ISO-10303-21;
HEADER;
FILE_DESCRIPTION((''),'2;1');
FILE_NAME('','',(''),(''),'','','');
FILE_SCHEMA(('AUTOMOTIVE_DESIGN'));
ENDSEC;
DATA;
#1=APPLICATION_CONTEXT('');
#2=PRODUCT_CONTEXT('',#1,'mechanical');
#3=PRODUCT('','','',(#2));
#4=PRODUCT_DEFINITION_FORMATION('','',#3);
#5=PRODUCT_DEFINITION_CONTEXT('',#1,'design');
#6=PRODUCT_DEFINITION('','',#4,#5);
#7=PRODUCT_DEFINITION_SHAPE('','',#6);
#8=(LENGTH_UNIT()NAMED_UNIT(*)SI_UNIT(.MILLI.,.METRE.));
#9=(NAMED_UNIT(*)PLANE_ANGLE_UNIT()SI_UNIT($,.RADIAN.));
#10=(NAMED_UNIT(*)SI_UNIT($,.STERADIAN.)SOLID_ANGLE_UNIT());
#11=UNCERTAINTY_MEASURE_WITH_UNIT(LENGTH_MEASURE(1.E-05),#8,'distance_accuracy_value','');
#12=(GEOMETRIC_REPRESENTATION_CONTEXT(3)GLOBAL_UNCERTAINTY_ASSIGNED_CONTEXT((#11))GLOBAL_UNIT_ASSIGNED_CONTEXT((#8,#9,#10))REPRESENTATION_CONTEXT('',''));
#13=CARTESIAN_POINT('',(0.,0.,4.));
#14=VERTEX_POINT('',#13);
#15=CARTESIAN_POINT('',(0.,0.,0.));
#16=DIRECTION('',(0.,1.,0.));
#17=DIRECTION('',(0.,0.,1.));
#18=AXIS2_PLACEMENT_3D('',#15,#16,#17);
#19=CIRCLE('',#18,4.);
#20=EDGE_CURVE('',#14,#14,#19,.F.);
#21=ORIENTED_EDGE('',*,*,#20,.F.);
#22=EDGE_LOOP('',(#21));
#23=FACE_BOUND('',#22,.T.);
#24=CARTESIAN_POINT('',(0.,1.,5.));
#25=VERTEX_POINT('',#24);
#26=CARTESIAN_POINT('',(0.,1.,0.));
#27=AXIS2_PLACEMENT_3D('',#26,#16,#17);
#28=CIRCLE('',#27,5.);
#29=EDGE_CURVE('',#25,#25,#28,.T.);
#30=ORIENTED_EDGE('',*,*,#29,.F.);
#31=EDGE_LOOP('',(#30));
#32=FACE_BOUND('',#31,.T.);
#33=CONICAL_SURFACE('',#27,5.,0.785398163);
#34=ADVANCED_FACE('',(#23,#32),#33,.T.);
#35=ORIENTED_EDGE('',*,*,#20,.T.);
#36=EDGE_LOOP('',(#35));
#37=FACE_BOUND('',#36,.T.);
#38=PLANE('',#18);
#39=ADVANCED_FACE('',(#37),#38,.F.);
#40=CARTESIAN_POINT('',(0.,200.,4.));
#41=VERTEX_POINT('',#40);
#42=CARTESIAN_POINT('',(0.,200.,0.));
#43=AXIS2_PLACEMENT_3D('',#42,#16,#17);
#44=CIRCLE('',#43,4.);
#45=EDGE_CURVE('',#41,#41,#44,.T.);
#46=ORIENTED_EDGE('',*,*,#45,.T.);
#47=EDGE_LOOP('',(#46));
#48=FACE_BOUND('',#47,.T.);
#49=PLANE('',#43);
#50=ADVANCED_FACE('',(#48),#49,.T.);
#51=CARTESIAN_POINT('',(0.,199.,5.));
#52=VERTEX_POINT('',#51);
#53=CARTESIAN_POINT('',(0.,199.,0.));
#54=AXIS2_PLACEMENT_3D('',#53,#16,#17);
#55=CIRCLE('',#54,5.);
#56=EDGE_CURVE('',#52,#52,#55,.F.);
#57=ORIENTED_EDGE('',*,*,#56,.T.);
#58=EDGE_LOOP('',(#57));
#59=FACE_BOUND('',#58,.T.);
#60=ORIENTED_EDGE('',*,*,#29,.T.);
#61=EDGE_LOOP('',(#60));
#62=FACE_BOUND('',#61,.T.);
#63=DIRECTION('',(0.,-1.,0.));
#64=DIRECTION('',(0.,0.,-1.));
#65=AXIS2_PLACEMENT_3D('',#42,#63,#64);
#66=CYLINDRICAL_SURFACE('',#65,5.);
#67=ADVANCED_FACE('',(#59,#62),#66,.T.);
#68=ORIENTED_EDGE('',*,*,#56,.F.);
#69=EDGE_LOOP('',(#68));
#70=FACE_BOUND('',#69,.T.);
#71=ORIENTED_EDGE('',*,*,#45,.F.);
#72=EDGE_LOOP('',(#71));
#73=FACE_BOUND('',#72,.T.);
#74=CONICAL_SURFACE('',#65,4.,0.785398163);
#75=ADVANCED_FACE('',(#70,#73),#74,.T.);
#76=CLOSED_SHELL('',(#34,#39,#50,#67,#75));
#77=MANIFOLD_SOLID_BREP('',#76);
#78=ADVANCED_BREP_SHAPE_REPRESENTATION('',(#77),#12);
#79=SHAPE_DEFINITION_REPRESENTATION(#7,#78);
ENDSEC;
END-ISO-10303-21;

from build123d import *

# Parameters (mm, degrees)
ESQUISSE1_R        = 5
BOSS_EXTRU_1_DEPTH = 200
CHANFREIN1_SIZE    = 1


with BuildPart() as part:
    # Esquisse1 → Boss.-Extru.1 (new body)
    with BuildSketch(Plane(origin=(0, 0, 0), x_dir=(1, 0, 0), z_dir=(0, 1, 0))):
        Circle(ESQUISSE1_R)
    extrude(amount=BOSS_EXTRU_1_DEPTH)

    # Chanfrein1
    chanfrein1_edges = [part.edges().sort_by_distance(p)[0] for p in [
        (-5, 0, 0),
        (-5, 200, 0),
    ]]
    chamfer(chanfrein1_edges, length=CHANFREIN1_SIZE)


solid = part.part
